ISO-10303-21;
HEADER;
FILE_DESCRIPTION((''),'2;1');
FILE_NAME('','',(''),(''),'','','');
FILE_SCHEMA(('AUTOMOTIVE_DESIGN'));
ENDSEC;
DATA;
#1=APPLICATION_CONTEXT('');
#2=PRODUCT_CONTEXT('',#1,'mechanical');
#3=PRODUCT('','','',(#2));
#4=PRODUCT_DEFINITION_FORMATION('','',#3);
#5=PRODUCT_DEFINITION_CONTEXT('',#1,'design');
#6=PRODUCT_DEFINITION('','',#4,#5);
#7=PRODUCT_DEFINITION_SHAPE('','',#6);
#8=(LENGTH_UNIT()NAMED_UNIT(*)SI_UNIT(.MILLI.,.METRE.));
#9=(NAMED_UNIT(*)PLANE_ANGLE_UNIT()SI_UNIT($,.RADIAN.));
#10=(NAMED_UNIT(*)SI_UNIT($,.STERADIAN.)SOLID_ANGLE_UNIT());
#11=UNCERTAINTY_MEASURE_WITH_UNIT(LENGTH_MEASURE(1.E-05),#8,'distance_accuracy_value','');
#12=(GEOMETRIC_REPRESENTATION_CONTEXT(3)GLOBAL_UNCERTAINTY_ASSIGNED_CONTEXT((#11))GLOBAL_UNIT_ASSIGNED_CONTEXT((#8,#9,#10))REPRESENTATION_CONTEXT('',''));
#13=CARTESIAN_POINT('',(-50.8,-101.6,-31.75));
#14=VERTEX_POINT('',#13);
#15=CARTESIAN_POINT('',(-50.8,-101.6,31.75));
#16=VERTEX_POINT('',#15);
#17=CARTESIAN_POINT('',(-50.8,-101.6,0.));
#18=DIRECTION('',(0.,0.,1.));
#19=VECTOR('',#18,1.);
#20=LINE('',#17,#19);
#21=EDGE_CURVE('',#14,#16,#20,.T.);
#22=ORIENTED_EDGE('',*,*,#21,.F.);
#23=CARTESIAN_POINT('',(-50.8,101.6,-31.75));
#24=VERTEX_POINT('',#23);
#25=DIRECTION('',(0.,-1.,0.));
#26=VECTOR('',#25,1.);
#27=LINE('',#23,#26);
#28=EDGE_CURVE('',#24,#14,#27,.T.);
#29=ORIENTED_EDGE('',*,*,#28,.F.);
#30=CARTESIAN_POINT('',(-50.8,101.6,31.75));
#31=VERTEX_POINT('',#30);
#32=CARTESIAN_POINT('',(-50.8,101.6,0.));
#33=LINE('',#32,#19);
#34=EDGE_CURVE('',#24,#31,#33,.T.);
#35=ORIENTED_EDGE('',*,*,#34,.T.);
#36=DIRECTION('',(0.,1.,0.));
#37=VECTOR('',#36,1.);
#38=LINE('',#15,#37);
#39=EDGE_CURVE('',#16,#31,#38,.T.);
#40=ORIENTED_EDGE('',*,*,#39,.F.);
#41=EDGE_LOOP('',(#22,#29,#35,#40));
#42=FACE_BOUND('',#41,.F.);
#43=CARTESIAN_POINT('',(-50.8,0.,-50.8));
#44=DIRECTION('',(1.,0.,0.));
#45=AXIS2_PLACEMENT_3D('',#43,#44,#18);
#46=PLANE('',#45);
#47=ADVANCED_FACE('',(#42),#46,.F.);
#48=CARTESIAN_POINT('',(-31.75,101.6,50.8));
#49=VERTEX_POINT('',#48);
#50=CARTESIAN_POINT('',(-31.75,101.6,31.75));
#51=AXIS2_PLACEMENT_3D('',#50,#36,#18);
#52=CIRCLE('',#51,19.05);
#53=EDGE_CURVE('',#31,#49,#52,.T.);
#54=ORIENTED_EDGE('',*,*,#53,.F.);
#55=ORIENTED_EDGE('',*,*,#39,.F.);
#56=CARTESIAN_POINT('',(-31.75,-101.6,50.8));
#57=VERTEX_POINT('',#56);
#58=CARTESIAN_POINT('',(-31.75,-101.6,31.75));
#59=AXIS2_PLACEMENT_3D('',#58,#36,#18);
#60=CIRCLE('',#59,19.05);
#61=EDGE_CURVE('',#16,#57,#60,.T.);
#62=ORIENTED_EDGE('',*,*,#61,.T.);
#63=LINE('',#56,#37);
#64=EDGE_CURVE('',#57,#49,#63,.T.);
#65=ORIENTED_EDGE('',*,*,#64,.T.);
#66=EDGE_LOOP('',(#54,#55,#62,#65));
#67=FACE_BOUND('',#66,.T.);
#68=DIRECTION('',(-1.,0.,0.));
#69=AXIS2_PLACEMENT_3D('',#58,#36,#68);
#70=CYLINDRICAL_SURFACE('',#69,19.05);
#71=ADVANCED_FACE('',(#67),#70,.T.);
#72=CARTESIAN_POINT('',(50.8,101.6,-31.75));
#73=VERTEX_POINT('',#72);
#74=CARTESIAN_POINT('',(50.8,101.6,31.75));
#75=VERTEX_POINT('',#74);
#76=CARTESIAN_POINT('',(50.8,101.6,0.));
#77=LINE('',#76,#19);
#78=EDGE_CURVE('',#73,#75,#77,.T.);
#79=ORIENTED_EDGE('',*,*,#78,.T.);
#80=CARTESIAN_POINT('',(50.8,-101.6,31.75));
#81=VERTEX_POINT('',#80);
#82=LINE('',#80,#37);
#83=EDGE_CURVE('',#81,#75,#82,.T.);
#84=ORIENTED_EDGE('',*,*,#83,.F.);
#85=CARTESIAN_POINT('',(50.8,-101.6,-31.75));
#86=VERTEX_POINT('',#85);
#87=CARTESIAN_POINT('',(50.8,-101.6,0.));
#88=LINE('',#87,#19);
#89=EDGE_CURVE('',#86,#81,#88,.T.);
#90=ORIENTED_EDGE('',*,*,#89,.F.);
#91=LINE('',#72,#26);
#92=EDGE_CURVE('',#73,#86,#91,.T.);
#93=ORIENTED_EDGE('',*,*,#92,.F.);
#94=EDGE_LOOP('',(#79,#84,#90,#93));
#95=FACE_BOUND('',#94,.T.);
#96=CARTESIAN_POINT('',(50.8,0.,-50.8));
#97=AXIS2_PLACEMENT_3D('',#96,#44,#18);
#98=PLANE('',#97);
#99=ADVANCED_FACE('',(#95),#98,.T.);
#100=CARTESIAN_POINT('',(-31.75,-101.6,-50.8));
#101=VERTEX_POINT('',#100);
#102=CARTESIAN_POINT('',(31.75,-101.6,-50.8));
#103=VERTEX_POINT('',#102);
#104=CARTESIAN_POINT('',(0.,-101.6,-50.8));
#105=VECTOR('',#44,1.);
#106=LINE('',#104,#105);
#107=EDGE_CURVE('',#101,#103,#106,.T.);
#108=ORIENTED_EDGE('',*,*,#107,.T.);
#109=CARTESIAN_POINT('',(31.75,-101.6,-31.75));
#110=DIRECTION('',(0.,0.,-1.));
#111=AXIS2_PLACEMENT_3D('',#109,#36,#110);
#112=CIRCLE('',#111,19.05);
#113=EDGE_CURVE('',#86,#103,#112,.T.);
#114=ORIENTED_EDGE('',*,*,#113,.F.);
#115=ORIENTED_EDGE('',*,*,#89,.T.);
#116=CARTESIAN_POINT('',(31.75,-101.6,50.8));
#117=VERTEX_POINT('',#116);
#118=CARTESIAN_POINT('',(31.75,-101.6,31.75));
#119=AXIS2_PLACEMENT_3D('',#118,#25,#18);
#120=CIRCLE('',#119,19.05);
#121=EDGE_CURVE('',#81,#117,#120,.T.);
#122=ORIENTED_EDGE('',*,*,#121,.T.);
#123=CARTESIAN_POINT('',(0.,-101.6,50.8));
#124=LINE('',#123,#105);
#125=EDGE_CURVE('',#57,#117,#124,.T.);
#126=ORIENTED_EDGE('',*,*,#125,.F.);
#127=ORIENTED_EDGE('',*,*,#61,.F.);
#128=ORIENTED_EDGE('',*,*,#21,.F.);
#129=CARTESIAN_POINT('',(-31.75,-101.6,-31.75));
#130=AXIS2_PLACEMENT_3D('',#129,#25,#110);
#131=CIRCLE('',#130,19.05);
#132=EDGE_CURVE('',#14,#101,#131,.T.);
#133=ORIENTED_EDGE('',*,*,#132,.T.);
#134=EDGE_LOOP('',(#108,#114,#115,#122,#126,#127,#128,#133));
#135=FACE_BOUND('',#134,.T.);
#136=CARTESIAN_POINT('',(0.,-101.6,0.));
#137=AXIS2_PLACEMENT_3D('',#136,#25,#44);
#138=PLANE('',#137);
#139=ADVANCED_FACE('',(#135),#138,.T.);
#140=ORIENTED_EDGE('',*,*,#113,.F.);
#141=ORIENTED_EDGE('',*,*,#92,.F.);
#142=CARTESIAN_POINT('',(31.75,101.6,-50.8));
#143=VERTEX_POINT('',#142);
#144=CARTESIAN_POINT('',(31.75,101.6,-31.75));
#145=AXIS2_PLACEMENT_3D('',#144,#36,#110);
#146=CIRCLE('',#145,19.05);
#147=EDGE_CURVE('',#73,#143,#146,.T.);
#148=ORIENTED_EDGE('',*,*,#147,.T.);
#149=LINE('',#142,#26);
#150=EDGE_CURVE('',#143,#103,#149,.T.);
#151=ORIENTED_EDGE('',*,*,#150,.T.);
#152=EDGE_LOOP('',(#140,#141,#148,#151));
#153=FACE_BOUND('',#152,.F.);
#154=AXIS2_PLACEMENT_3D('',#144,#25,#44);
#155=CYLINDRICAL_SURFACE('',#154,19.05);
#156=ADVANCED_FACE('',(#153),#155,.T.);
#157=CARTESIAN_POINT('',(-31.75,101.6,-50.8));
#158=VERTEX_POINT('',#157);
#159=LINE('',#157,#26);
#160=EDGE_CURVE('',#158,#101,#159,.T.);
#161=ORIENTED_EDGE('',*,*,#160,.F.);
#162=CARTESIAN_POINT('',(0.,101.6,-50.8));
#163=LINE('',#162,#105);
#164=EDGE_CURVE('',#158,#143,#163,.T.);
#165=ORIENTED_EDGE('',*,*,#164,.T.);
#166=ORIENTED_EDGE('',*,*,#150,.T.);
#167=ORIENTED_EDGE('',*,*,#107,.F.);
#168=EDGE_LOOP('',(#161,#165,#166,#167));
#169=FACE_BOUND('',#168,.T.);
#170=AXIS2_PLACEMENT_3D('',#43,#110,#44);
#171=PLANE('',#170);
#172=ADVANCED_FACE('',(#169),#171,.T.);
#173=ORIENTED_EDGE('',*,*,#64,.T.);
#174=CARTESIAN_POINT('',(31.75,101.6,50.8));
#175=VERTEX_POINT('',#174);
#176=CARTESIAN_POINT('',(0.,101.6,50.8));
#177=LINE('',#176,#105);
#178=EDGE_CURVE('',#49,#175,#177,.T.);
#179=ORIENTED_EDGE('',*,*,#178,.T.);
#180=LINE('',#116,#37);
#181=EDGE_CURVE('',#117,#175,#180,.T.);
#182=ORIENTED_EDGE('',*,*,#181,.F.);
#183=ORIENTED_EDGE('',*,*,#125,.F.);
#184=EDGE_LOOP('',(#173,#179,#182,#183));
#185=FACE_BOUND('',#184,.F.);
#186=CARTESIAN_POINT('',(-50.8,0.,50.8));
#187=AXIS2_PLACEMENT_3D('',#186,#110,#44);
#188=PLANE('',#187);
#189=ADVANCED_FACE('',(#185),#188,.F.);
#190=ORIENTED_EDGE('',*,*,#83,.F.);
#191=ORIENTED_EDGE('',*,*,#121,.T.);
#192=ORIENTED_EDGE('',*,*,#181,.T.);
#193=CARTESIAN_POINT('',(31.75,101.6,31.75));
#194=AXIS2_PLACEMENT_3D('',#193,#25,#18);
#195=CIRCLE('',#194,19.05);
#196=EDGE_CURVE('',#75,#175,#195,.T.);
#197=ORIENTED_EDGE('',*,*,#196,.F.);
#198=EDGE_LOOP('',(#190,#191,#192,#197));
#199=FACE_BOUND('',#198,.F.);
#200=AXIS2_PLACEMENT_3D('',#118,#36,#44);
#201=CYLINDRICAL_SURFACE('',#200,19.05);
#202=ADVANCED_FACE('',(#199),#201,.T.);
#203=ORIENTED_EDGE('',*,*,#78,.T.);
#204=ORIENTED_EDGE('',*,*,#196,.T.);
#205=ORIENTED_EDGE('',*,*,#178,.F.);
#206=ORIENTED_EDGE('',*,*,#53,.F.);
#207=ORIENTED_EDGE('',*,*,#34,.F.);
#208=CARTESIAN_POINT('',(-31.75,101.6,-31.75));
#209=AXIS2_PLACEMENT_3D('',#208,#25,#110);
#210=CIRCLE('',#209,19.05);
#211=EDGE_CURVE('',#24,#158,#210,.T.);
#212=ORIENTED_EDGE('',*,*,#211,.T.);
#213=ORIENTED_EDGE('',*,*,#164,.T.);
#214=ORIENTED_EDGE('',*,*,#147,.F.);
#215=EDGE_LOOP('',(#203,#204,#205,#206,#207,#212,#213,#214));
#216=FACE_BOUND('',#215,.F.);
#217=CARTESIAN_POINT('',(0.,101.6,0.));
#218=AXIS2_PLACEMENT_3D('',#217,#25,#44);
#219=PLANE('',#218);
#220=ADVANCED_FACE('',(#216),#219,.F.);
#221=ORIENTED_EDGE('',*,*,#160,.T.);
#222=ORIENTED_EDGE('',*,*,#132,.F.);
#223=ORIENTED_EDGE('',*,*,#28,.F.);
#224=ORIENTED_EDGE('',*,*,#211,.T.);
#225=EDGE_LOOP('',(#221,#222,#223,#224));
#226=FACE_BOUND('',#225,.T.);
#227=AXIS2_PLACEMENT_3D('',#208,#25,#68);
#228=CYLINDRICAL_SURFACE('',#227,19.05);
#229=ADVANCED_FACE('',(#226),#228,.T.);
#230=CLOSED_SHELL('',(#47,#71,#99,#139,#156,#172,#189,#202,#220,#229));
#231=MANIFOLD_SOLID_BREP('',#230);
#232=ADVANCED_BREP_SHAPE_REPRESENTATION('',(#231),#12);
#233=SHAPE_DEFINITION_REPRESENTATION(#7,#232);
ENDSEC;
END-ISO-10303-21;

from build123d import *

# Parameters (mm, degrees)
F0_W          = 101.6
F0_H          = 101.6
F1_DEPTH      = 101.6
F1_DEPTH_BACK = 101.6
F2_R          = 19.05
F3_R          = 2.738729
F4_DEPTH      = 19.304


with BuildPart() as f1:
    # F0 (on Front) → F1 (new body, two sides)
    with BuildSketch(Plane.XZ) as f1_sk:
        Rectangle(F0_W, F0_H)
    extrude(amount=F1_DEPTH)
    extrude(f1_sk.sketch, amount=-F1_DEPTH_BACK)

    # F2
    f2_edges = [f1.edges().sort_by_distance(p)[0] for p in [
        (-50.8, 0, 50.8),
        (50.8, 0, 50.8),
        (50.8, 0, -50.8),
        (-50.8, 0, -50.8),
    ]]
    fillet(f2_edges, radius=F2_R)

    # F3 (on face) → F4 (join)
    with BuildSketch(Plane(origin=(0, 0, -50.8), x_dir=(1, 0, 0), z_dir=(0, 0, -1))):
        with Locations((-22.506165, 95.329402)):
            Circle(F3_R)
    extrude(amount=-F4_DEPTH)


solid = f1.part
